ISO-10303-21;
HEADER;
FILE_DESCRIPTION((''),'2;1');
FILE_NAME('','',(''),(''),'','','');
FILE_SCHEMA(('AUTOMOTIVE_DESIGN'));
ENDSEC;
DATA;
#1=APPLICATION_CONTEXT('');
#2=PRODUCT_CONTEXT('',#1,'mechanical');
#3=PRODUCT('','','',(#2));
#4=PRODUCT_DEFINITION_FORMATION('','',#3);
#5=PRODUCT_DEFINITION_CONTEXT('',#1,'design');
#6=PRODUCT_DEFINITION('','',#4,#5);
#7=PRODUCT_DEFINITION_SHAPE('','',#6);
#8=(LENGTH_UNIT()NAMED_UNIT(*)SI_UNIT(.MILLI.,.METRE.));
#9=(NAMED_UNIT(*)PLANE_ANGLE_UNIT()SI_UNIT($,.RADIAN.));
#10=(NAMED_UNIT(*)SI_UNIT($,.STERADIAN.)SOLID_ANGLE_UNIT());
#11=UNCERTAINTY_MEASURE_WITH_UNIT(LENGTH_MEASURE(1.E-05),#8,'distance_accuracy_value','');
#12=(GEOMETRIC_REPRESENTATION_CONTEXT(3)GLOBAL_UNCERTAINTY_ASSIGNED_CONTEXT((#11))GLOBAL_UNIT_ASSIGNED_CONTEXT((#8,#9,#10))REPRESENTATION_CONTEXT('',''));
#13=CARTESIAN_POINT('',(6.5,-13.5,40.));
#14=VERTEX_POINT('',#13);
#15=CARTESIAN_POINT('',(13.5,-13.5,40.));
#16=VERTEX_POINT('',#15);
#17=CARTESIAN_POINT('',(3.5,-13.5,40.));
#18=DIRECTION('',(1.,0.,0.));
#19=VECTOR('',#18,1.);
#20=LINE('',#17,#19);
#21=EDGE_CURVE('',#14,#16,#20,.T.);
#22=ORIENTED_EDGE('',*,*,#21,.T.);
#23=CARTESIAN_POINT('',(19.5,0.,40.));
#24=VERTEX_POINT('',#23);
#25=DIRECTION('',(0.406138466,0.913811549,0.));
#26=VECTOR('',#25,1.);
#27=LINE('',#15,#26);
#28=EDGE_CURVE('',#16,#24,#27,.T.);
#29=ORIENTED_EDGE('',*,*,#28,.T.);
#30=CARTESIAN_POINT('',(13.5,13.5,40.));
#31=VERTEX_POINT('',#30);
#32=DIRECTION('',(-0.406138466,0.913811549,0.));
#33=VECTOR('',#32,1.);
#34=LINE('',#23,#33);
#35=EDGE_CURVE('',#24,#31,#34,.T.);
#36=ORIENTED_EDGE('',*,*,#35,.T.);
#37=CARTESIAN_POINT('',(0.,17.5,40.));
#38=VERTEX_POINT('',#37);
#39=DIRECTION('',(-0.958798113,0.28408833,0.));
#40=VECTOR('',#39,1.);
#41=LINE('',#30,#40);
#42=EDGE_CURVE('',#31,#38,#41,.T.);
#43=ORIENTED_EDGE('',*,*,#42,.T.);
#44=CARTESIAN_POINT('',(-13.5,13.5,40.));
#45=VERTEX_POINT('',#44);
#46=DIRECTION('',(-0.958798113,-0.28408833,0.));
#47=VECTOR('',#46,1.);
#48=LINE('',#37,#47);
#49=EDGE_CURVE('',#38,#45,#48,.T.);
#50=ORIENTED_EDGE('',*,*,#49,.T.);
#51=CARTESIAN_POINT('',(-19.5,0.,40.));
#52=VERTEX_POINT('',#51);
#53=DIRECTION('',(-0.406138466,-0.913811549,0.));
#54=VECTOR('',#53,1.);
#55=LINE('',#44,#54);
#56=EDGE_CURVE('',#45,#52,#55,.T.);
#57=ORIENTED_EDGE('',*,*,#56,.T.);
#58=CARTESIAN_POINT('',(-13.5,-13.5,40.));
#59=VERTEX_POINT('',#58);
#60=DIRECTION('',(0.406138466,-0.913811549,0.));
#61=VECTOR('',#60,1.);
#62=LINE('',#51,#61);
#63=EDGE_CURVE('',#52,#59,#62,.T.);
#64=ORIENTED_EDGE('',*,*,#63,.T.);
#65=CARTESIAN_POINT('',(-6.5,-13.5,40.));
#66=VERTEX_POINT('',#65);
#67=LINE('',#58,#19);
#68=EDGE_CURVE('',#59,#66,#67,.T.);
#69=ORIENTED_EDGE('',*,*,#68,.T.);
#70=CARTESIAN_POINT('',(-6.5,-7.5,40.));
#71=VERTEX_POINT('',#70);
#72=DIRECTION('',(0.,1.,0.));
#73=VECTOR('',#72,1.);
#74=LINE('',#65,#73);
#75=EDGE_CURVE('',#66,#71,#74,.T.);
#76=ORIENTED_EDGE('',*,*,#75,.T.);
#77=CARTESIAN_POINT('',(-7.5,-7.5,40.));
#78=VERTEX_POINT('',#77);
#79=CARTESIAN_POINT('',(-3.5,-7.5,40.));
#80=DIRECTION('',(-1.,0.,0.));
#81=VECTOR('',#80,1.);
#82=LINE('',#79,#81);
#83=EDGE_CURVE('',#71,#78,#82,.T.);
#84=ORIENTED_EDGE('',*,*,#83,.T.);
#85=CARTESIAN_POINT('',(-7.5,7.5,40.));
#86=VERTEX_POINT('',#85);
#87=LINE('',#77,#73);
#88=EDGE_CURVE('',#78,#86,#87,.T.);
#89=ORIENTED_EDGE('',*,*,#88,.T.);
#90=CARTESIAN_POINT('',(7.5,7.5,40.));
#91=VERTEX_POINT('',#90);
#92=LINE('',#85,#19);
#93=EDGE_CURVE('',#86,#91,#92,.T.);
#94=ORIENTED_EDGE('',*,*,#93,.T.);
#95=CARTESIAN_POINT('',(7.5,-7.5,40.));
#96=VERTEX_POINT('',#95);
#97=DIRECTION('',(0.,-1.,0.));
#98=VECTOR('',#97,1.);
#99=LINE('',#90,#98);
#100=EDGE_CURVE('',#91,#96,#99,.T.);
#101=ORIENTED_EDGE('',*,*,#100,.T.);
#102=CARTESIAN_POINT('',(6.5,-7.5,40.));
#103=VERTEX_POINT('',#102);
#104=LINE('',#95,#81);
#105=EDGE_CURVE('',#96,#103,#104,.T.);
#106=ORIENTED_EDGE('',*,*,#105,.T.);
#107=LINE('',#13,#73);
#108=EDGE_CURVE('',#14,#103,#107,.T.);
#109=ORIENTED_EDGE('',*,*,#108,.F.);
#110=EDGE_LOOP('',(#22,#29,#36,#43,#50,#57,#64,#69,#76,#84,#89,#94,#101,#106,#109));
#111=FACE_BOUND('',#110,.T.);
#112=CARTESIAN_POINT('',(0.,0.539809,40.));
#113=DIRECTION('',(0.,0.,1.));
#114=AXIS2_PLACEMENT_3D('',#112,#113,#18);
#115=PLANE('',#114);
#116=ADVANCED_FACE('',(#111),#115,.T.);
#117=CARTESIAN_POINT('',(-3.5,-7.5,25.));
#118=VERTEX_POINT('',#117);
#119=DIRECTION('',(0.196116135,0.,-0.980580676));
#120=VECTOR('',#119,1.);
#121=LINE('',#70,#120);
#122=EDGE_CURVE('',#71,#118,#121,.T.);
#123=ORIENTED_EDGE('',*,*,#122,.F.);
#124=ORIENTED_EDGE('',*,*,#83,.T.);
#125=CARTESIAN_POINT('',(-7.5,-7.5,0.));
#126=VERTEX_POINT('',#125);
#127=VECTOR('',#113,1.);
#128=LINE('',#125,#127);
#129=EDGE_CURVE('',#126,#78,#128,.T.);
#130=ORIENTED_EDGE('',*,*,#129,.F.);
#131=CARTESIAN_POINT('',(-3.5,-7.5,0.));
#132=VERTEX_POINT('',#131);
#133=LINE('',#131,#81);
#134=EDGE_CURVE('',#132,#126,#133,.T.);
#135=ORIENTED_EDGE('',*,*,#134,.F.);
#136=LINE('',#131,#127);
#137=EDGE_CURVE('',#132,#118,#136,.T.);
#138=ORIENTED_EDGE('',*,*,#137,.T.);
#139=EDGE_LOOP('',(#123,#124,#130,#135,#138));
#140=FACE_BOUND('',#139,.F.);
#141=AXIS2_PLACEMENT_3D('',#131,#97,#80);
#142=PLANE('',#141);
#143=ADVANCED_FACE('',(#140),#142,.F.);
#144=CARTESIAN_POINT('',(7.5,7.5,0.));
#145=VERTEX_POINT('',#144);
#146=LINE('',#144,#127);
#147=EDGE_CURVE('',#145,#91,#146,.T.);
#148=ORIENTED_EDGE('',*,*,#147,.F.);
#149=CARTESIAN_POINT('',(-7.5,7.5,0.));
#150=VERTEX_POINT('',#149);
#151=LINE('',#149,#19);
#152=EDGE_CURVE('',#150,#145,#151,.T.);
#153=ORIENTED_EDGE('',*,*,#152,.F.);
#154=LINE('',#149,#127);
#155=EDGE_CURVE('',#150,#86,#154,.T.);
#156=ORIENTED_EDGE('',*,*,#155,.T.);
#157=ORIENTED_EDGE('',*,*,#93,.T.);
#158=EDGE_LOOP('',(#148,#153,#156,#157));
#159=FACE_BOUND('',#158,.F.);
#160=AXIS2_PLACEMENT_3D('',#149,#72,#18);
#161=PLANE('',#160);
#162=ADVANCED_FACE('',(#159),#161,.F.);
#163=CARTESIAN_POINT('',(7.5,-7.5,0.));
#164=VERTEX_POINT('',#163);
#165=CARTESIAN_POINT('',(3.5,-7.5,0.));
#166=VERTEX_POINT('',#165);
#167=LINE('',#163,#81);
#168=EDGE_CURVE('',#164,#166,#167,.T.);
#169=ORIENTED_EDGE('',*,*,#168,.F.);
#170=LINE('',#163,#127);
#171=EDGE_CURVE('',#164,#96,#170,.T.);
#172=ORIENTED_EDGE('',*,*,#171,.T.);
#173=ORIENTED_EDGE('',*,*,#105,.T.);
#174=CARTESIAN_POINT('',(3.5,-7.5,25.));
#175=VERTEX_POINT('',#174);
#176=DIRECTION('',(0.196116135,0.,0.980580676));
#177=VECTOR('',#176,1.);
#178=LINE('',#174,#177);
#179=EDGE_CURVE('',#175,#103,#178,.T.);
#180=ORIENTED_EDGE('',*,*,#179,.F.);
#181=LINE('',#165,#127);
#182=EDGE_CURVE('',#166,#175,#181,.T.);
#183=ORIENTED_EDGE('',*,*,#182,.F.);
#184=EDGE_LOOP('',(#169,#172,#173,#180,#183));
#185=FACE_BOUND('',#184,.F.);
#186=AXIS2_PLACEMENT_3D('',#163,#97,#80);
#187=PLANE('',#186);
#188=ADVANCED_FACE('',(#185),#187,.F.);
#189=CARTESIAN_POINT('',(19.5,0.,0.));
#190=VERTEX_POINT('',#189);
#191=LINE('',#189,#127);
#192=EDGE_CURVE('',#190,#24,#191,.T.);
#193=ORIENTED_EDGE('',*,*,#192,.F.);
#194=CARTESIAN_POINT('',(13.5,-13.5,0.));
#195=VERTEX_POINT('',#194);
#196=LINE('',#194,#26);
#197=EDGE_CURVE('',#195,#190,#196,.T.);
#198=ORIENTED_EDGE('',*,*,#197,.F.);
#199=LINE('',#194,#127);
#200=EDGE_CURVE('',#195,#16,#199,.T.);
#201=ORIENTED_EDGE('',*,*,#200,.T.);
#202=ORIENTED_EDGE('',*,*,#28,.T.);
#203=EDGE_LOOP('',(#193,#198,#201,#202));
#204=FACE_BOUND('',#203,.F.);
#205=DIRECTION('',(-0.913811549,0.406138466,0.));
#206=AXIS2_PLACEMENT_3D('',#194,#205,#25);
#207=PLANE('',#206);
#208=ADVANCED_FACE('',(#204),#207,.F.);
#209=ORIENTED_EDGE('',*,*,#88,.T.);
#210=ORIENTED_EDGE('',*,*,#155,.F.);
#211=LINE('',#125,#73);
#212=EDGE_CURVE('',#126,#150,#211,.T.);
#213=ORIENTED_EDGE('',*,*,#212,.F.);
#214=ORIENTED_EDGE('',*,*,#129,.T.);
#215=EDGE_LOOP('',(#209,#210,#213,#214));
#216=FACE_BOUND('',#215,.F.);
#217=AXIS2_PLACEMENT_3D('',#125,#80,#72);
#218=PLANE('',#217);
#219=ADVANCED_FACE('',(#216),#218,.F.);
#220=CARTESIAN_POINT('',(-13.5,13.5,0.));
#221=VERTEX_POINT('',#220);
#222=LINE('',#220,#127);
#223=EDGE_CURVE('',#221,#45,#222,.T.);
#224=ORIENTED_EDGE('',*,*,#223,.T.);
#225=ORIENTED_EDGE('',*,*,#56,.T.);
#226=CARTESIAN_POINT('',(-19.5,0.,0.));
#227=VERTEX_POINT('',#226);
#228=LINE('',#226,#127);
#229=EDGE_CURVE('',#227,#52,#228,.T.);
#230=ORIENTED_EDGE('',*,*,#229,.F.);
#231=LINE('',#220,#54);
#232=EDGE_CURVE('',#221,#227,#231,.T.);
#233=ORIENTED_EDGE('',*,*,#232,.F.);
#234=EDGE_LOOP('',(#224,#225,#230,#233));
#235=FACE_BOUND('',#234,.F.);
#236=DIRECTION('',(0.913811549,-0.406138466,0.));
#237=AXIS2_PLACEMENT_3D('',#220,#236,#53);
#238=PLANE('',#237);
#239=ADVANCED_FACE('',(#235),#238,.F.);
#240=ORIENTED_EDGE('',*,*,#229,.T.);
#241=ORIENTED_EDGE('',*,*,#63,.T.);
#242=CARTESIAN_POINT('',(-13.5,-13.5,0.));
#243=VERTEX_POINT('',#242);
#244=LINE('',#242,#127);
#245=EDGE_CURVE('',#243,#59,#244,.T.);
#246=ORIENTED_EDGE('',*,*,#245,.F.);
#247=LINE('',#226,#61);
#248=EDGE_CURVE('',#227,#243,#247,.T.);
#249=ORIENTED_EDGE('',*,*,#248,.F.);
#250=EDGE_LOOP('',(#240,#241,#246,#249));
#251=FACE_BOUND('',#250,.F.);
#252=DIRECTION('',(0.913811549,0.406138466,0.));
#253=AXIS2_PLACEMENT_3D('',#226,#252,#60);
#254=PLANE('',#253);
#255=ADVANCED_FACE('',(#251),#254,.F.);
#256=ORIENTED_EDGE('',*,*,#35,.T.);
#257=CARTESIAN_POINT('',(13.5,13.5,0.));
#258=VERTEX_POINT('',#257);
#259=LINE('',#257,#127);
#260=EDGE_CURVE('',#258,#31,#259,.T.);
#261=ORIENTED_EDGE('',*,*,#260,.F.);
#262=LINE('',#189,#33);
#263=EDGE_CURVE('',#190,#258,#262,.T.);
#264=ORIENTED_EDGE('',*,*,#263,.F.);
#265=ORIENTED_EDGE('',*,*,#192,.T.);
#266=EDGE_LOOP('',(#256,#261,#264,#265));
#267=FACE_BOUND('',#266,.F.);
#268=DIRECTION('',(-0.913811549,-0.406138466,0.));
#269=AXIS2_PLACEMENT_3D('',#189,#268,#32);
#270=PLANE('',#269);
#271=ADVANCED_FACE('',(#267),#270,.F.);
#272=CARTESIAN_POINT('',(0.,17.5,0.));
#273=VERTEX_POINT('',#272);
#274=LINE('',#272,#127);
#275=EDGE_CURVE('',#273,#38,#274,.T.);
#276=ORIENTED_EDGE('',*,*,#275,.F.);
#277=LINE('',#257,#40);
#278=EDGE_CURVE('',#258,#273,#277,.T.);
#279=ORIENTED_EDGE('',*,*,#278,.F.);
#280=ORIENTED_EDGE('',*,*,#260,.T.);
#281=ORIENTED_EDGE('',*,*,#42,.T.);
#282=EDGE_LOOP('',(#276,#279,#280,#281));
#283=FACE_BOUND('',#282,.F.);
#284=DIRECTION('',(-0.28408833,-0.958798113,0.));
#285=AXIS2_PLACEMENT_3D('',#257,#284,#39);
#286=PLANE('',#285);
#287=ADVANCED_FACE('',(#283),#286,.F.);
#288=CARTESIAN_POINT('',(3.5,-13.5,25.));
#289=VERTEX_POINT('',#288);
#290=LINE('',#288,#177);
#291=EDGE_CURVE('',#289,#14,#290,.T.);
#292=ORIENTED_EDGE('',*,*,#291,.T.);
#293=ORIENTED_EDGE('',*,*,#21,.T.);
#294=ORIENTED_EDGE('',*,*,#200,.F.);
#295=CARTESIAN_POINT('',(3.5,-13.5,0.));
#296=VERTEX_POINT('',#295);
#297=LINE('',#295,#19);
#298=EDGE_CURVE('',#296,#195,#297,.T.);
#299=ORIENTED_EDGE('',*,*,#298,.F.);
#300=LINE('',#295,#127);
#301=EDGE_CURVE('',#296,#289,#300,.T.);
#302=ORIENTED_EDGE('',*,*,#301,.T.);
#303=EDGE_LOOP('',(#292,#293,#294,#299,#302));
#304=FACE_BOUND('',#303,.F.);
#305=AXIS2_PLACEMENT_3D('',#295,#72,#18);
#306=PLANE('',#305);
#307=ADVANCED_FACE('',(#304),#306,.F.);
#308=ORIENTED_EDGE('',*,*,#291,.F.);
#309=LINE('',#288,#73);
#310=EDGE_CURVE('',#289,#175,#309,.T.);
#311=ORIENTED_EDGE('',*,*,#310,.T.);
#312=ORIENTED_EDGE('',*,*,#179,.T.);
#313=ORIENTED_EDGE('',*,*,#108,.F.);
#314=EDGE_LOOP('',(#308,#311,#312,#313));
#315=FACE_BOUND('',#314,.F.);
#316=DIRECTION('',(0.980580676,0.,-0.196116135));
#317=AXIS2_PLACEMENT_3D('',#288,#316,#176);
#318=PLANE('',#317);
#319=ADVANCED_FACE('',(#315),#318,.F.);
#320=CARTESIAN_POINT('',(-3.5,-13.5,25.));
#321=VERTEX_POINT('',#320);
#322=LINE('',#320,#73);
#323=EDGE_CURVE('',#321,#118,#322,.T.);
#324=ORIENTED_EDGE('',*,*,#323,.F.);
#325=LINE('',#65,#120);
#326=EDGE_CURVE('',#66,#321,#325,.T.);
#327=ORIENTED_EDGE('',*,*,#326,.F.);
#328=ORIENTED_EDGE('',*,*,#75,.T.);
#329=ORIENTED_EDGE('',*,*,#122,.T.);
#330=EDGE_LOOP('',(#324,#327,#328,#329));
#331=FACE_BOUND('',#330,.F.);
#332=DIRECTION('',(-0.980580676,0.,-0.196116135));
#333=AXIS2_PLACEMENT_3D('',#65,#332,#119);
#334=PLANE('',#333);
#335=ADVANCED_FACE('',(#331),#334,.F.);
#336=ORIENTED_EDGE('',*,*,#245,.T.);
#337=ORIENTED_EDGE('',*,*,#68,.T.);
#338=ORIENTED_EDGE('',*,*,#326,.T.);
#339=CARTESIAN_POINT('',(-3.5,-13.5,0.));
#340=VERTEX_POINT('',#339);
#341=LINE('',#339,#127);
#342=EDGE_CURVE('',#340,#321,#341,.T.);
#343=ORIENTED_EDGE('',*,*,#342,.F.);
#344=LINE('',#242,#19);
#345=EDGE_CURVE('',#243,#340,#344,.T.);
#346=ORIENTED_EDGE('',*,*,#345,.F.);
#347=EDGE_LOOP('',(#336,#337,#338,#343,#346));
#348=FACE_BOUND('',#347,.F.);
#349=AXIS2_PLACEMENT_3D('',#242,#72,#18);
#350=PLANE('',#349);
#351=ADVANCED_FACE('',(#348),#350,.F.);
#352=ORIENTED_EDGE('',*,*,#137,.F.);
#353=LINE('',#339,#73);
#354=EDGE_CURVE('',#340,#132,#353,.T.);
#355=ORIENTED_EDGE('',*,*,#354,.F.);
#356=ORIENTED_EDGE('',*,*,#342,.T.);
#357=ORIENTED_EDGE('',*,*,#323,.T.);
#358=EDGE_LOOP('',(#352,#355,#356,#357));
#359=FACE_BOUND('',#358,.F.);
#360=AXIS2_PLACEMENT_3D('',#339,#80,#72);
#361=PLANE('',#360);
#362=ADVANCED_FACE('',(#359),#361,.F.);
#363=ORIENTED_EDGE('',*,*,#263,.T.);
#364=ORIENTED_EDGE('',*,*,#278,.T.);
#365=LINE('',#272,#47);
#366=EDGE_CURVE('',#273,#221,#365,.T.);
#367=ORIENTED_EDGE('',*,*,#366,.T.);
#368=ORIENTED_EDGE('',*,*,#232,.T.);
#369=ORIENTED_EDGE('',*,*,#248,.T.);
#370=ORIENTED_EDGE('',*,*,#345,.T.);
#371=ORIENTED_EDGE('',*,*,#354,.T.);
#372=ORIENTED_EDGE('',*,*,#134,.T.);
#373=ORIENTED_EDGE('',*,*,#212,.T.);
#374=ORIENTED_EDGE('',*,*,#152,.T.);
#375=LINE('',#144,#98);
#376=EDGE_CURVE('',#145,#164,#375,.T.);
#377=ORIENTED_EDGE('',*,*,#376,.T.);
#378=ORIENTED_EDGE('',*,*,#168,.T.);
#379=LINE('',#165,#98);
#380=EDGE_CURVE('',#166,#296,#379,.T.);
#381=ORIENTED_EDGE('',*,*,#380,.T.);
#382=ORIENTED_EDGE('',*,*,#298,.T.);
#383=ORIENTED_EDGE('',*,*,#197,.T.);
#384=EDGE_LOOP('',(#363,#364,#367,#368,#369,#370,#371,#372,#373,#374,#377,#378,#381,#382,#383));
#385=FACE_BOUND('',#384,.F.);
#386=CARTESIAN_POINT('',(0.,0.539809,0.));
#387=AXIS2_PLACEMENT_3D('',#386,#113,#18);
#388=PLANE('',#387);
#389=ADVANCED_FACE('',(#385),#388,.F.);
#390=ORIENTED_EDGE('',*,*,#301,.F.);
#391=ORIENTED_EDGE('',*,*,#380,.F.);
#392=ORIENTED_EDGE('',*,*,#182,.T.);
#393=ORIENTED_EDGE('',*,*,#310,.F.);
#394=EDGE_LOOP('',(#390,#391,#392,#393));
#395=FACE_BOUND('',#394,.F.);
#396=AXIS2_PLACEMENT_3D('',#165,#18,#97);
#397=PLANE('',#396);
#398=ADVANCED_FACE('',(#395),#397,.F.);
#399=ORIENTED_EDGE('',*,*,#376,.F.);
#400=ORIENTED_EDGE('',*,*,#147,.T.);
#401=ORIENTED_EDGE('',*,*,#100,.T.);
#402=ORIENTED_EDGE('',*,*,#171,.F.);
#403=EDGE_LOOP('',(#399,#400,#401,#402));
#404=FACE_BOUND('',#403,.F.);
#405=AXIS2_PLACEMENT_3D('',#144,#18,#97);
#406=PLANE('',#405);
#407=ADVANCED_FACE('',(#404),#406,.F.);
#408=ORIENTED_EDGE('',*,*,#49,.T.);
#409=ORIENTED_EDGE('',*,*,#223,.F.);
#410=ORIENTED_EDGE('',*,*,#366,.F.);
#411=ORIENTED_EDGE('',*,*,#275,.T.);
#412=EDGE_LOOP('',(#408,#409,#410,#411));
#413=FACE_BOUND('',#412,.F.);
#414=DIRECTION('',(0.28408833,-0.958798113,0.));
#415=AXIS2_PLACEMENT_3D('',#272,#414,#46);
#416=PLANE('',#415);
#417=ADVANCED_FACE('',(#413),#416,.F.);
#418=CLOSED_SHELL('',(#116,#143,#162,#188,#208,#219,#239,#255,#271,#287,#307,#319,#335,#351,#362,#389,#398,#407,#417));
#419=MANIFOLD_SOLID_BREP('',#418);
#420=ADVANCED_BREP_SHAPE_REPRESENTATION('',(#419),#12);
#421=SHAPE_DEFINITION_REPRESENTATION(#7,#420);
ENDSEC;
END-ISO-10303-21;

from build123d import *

# Parameters (mm, degrees)
F1_DEPTH = 40
F3_DEPTH = 6


with BuildPart() as f1:
    # F0 (on Top) → F1 (new body)
    with BuildSketch(Plane.XY):
        Polygon((-7.5, -7.5), (-7.5, 7.5), (7.5, 7.5), (7.5, -7.5), (3.5, -7.5), (3.5, -13.5), (13.5, -13.5), (19.5, 0), (13.5, 13.5), (0, 17.5), (-13.5, 13.5), (-19.5, 0), (-13.5, -13.5), (-3.5, -13.5), (-3.5, -7.5), align=None)
    extrude(amount=F1_DEPTH)

    # F2 (on face) → F3 (cut)
    with BuildSketch(Plane.XZ.offset(13.5)):
        Polygon((-3.5, 25), (-3.5, 40), (-6.5, 40), align=None)
        Polygon((3.5, 25), (6.5, 40), (3.5, 40), align=None)
    extrude(amount=-F3_DEPTH, mode=Mode.SUBTRACT)


solid = f1.part
